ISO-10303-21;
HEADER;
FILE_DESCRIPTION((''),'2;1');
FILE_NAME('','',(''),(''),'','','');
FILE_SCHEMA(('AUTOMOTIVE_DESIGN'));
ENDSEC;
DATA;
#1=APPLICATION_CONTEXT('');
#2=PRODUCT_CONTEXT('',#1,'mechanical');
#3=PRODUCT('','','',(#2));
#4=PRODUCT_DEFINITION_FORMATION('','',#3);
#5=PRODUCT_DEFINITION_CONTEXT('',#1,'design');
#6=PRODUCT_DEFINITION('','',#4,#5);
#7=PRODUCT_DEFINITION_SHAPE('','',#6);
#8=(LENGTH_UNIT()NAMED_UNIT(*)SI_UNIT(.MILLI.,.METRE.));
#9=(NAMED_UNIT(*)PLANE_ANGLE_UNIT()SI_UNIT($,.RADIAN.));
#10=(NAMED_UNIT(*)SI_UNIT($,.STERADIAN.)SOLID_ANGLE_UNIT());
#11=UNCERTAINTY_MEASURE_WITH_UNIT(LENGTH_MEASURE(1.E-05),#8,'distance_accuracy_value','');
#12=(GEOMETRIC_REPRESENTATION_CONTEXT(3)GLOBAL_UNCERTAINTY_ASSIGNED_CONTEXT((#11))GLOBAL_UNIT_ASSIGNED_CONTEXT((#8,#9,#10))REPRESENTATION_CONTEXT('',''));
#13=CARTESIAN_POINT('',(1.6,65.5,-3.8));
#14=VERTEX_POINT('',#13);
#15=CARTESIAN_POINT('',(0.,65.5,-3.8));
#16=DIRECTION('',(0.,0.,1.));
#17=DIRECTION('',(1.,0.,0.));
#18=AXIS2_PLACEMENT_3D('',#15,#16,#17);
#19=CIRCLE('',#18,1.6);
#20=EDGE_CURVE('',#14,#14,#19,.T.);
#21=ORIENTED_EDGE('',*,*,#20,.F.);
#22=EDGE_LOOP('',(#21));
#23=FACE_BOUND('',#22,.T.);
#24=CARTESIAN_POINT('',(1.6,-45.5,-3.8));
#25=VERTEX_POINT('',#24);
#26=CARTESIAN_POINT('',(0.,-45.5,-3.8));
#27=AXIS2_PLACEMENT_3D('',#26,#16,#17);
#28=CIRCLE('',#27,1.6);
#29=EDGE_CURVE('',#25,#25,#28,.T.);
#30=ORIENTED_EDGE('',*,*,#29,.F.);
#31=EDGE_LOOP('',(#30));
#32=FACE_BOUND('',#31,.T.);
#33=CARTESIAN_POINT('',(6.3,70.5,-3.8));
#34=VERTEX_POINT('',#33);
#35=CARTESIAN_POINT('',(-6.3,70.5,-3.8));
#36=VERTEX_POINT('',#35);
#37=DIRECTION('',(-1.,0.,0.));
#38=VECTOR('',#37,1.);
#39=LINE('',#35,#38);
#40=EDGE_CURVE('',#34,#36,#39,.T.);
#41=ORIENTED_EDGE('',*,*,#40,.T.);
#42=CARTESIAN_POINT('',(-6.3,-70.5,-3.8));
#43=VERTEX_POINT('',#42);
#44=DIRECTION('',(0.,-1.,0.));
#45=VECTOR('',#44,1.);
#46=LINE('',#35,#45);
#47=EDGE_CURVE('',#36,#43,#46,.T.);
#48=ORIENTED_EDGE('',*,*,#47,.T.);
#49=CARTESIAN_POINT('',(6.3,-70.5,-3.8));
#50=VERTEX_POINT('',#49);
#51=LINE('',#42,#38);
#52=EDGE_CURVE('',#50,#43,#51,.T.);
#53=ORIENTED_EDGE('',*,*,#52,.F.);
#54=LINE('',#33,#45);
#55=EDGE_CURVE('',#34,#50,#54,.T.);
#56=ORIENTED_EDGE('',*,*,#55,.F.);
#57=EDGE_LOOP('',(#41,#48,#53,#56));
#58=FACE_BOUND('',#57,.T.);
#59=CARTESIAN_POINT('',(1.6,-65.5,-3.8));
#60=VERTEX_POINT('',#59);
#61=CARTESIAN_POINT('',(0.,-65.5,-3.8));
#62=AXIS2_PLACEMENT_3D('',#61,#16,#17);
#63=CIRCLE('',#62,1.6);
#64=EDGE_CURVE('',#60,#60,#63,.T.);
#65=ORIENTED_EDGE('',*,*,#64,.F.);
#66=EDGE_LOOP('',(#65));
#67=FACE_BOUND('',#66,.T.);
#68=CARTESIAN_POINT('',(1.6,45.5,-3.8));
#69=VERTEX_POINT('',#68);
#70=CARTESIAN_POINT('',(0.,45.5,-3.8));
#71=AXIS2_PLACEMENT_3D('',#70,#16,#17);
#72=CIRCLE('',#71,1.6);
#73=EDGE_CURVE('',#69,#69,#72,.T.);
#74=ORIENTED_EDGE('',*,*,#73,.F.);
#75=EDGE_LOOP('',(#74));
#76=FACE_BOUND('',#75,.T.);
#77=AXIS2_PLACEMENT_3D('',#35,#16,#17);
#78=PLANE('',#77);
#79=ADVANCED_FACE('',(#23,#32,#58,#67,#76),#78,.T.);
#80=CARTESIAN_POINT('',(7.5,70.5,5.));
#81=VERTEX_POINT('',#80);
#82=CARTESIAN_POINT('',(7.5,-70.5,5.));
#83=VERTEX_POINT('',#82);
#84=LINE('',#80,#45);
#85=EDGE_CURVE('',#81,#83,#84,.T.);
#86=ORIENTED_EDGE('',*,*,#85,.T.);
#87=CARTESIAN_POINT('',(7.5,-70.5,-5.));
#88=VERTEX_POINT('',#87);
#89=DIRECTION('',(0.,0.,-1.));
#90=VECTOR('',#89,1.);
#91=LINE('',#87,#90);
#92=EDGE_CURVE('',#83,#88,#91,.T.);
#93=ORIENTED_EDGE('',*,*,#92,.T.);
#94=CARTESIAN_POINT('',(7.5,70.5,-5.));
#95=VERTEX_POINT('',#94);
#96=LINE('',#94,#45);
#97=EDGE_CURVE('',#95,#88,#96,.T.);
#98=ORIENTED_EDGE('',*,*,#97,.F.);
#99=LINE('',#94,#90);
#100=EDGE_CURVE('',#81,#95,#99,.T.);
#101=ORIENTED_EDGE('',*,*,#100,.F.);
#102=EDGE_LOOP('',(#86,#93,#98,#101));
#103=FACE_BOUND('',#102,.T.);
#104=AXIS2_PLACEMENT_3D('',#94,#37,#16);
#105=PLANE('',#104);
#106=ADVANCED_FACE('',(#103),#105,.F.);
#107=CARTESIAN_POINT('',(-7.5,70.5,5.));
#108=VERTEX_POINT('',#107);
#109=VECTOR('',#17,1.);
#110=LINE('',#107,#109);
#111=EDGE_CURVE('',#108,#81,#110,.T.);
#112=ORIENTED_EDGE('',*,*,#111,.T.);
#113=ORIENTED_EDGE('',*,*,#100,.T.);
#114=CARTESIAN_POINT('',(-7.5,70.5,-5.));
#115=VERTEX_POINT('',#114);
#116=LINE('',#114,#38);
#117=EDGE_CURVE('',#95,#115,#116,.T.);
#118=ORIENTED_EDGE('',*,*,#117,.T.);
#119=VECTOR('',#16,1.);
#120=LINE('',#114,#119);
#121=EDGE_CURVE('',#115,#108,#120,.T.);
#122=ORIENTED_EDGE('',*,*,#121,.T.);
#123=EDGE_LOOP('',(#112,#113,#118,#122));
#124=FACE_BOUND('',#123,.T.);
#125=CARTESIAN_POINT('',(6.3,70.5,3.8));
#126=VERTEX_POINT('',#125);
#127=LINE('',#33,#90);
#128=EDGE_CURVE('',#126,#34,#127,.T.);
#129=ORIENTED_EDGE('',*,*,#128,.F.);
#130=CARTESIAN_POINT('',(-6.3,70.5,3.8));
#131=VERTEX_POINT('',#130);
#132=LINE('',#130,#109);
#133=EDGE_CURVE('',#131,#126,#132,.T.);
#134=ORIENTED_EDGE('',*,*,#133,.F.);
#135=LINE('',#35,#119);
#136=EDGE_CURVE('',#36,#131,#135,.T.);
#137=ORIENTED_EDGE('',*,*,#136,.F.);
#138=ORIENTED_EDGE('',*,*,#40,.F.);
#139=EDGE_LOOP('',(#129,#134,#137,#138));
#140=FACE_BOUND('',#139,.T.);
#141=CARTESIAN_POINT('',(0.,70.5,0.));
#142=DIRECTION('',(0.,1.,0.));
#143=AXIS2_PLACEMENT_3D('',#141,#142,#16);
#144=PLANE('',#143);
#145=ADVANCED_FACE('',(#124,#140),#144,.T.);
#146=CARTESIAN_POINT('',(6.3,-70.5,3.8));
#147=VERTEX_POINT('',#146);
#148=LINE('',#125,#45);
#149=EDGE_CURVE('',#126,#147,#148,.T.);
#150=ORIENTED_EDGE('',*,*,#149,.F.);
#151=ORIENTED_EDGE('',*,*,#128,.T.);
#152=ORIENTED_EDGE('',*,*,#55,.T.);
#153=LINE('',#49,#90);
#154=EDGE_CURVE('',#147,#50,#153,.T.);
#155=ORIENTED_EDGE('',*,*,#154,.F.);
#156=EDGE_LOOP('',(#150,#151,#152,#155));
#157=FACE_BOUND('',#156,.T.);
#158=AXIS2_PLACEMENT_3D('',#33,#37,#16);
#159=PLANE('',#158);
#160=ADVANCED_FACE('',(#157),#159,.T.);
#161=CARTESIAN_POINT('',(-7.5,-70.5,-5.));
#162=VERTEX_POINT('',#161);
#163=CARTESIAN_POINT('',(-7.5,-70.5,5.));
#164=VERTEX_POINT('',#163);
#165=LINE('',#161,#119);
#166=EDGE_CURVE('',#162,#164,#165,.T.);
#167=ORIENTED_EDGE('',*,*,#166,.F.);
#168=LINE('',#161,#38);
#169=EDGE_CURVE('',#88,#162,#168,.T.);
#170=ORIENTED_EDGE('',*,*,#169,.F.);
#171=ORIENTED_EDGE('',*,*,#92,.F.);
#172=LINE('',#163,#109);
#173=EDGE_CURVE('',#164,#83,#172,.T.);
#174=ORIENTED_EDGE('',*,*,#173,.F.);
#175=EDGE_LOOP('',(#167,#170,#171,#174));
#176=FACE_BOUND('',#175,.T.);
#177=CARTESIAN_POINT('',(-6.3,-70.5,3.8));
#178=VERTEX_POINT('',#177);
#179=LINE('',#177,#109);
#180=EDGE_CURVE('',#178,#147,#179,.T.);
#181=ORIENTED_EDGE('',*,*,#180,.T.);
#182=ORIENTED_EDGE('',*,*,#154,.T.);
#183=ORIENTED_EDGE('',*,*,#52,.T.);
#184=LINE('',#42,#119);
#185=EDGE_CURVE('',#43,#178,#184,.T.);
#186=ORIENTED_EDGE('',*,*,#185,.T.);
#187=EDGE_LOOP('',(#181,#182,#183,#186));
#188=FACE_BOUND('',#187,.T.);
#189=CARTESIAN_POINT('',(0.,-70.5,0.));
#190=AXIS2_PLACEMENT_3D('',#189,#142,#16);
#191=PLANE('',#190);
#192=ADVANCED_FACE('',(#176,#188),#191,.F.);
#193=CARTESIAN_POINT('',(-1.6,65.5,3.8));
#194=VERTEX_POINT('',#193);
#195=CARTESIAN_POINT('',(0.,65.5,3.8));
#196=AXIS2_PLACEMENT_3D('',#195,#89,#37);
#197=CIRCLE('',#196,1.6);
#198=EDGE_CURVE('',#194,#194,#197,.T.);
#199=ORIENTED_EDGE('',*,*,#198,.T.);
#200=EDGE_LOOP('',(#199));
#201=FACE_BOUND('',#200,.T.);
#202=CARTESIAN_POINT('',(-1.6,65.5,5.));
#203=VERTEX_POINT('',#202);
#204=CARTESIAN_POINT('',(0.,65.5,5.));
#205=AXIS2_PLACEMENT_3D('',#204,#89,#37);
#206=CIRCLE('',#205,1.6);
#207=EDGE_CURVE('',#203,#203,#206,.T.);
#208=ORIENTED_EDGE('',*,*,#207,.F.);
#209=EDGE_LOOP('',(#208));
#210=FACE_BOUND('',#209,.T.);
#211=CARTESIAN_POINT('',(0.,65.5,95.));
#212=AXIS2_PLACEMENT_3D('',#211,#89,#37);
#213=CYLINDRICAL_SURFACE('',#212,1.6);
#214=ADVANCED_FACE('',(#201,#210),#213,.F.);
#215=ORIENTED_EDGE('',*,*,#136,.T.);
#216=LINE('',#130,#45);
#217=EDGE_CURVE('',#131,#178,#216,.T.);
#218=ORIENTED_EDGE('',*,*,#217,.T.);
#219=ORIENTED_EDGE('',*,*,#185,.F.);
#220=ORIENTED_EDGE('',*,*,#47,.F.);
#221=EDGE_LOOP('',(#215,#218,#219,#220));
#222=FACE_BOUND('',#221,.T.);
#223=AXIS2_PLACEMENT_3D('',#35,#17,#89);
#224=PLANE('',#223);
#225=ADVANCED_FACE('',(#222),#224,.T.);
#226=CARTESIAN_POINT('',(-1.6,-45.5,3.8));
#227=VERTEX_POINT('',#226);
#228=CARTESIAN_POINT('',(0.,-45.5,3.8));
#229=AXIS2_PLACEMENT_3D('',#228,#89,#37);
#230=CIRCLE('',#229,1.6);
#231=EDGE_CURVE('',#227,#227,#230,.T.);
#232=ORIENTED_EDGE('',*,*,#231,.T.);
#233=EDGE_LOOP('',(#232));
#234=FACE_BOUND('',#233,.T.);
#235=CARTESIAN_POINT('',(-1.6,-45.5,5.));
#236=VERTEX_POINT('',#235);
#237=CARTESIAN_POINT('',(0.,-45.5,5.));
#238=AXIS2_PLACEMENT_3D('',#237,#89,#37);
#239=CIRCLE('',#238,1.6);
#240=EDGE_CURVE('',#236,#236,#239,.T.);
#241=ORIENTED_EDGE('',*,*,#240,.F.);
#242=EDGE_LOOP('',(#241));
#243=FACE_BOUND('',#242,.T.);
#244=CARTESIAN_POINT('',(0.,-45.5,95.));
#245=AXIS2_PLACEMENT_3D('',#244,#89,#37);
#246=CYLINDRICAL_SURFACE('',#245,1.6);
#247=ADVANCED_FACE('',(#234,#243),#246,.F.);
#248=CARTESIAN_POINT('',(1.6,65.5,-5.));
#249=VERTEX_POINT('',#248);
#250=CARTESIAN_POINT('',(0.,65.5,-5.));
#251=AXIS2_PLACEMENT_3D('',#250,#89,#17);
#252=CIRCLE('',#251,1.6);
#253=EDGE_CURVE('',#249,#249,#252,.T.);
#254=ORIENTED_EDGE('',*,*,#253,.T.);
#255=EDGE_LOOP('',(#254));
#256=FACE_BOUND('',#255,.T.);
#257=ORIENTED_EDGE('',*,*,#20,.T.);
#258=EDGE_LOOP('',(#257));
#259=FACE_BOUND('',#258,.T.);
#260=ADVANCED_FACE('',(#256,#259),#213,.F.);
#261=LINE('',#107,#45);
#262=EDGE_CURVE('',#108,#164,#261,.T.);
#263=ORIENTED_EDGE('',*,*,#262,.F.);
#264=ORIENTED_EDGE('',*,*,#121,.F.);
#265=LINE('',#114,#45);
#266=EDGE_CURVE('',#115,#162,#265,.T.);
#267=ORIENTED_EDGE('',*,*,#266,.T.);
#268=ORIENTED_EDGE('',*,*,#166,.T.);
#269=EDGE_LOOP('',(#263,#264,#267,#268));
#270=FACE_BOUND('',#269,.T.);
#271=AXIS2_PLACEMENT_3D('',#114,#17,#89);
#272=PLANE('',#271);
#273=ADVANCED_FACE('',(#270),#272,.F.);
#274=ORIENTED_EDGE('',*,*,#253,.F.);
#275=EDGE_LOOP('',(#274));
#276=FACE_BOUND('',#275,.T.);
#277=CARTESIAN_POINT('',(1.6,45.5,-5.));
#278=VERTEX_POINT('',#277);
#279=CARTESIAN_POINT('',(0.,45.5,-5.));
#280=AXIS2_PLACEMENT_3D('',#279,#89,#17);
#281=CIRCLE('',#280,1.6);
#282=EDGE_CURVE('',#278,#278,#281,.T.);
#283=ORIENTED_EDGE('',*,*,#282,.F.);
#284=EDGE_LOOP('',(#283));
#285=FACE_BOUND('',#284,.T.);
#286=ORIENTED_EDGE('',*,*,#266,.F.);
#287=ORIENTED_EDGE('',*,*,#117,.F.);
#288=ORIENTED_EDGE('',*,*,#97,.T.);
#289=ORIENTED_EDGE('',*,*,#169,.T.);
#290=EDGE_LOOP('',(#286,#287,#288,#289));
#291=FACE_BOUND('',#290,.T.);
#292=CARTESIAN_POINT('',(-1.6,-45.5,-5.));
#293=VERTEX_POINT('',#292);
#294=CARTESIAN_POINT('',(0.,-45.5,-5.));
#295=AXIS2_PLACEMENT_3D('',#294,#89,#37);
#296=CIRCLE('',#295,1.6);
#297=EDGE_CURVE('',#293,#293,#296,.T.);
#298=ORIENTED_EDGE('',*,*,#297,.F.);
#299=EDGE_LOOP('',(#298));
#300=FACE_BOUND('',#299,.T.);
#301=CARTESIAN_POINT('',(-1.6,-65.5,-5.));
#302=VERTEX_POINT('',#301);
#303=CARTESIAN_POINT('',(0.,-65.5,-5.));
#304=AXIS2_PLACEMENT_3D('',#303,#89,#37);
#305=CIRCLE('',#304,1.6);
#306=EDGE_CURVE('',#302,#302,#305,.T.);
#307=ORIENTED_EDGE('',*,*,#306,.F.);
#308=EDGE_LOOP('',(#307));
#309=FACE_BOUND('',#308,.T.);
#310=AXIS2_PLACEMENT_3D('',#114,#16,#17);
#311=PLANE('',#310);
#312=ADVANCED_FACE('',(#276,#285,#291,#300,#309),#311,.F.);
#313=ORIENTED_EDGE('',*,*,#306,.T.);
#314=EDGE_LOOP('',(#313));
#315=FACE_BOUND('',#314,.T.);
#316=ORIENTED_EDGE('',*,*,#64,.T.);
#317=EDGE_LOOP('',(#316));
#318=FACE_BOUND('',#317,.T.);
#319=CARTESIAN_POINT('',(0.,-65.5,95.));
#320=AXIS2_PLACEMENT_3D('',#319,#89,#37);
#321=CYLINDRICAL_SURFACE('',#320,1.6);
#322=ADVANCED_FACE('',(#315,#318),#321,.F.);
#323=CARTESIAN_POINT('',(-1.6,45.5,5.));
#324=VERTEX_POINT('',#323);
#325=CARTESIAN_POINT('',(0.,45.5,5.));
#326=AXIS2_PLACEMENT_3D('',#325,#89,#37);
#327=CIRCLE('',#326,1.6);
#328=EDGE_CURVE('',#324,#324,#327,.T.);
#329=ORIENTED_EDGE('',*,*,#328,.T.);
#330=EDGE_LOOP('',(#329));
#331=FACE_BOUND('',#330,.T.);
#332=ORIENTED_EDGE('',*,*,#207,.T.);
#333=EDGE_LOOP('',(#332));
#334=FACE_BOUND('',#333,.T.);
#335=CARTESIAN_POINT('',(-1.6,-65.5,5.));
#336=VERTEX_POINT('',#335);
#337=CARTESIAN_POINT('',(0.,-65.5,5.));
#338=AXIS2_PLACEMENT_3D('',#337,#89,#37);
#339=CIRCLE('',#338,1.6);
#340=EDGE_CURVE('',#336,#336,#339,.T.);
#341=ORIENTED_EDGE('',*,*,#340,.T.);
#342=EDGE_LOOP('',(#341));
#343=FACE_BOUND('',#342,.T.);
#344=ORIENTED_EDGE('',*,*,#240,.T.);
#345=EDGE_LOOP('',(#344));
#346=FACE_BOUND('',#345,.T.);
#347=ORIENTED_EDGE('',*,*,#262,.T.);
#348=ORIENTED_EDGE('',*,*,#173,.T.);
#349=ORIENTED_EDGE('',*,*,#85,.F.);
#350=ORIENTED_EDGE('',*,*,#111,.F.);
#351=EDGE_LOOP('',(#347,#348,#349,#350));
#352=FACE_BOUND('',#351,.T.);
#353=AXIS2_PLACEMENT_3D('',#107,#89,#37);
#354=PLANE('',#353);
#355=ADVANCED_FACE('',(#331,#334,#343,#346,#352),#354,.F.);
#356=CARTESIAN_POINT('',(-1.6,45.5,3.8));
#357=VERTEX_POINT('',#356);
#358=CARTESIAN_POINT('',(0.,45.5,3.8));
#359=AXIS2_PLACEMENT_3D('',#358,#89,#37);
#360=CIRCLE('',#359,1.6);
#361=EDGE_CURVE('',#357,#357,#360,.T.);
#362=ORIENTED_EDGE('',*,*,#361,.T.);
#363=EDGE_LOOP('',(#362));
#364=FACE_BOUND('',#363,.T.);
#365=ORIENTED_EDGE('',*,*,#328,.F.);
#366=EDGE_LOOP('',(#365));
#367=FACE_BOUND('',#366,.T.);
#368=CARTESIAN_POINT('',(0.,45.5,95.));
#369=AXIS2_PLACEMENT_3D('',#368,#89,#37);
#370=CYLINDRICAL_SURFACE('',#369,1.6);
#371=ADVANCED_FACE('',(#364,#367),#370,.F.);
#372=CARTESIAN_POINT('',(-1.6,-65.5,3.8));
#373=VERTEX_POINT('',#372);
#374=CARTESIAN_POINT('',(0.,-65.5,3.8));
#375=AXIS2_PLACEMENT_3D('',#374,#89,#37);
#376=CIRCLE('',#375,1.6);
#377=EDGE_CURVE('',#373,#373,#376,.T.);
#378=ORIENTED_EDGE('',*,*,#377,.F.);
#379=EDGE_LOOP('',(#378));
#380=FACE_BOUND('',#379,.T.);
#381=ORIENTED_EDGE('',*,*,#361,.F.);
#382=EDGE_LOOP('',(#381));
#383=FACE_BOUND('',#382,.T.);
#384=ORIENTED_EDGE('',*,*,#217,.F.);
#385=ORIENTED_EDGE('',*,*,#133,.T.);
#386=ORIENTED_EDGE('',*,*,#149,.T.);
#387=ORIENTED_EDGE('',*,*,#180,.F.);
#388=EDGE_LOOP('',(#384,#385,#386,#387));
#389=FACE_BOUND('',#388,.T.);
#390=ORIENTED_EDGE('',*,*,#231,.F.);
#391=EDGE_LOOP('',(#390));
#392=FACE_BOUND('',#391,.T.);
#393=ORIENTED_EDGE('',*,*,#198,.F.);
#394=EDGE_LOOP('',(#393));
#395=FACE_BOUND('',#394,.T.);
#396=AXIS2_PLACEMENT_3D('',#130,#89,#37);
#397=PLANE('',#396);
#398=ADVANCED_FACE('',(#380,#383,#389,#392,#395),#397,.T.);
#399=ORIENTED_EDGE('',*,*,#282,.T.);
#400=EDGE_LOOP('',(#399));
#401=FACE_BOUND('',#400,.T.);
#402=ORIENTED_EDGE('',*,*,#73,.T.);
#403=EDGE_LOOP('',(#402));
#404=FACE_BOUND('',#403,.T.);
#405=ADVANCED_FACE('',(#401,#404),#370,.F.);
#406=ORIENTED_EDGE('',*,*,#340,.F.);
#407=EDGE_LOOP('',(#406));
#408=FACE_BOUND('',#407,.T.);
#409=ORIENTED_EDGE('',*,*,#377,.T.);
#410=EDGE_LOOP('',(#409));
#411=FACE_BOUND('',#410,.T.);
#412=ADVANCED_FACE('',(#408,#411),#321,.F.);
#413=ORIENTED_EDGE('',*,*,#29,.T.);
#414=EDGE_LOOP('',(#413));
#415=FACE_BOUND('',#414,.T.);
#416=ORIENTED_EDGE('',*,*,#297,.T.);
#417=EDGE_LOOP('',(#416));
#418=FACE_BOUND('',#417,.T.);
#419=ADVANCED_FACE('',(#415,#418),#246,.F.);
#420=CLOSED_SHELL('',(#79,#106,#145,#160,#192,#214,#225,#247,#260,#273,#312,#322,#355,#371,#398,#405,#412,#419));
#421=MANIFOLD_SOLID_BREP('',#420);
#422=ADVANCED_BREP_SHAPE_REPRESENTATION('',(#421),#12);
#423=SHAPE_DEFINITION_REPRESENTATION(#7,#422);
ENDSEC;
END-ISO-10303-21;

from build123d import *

# Parameters (mm, degrees)
SKETCH_1_W          = 15
SKETCH_1_H          = 10
SKETCH_1_W_2        = 12.6
SKETCH_1_H_2        = 7.6
EXTRUDE_1_DEPTH     = 70.5
SKETCH_2_R          = 1.6
CUT_EXTRUDE_1_DEPTH = 100


with BuildPart() as part:
    # ｽｹｯﾁ1 → ﾎﾞｽ - 押し出し1 (new, symmetric)
    with BuildSketch(Plane(origin=(0, 0, 0), x_dir=(1, 0, 0), z_dir=(0, 1, 0))):
        Rectangle(SKETCH_1_W, SKETCH_1_H)
        Rectangle(SKETCH_1_W_2, SKETCH_1_H_2, mode=Mode.SUBTRACT)
    extrude(amount=EXTRUDE_1_DEPTH, both=True)

    # ｽｹｯﾁ2 → ｶｯﾄ - 押し出し1 (cut)
    with BuildSketch(Plane(origin=(0, 0, -5), x_dir=(-1, 0, 0), z_dir=(0, 0, -1))):
        with Locations((0, -65.5)):
            Circle(SKETCH_2_R)
        with Locations((0, -45.5)):
            Circle(SKETCH_2_R)
        with Locations(Location((0, 45.5, 0), (0, 0, 180))):
            Circle(SKETCH_2_R)
        with Locations(Location((0, 65.5, 0), (0, 0, 180))):
            Circle(SKETCH_2_R)
    extrude(amount=-CUT_EXTRUDE_1_DEPTH, mode=Mode.SUBTRACT)


solid = part.part
